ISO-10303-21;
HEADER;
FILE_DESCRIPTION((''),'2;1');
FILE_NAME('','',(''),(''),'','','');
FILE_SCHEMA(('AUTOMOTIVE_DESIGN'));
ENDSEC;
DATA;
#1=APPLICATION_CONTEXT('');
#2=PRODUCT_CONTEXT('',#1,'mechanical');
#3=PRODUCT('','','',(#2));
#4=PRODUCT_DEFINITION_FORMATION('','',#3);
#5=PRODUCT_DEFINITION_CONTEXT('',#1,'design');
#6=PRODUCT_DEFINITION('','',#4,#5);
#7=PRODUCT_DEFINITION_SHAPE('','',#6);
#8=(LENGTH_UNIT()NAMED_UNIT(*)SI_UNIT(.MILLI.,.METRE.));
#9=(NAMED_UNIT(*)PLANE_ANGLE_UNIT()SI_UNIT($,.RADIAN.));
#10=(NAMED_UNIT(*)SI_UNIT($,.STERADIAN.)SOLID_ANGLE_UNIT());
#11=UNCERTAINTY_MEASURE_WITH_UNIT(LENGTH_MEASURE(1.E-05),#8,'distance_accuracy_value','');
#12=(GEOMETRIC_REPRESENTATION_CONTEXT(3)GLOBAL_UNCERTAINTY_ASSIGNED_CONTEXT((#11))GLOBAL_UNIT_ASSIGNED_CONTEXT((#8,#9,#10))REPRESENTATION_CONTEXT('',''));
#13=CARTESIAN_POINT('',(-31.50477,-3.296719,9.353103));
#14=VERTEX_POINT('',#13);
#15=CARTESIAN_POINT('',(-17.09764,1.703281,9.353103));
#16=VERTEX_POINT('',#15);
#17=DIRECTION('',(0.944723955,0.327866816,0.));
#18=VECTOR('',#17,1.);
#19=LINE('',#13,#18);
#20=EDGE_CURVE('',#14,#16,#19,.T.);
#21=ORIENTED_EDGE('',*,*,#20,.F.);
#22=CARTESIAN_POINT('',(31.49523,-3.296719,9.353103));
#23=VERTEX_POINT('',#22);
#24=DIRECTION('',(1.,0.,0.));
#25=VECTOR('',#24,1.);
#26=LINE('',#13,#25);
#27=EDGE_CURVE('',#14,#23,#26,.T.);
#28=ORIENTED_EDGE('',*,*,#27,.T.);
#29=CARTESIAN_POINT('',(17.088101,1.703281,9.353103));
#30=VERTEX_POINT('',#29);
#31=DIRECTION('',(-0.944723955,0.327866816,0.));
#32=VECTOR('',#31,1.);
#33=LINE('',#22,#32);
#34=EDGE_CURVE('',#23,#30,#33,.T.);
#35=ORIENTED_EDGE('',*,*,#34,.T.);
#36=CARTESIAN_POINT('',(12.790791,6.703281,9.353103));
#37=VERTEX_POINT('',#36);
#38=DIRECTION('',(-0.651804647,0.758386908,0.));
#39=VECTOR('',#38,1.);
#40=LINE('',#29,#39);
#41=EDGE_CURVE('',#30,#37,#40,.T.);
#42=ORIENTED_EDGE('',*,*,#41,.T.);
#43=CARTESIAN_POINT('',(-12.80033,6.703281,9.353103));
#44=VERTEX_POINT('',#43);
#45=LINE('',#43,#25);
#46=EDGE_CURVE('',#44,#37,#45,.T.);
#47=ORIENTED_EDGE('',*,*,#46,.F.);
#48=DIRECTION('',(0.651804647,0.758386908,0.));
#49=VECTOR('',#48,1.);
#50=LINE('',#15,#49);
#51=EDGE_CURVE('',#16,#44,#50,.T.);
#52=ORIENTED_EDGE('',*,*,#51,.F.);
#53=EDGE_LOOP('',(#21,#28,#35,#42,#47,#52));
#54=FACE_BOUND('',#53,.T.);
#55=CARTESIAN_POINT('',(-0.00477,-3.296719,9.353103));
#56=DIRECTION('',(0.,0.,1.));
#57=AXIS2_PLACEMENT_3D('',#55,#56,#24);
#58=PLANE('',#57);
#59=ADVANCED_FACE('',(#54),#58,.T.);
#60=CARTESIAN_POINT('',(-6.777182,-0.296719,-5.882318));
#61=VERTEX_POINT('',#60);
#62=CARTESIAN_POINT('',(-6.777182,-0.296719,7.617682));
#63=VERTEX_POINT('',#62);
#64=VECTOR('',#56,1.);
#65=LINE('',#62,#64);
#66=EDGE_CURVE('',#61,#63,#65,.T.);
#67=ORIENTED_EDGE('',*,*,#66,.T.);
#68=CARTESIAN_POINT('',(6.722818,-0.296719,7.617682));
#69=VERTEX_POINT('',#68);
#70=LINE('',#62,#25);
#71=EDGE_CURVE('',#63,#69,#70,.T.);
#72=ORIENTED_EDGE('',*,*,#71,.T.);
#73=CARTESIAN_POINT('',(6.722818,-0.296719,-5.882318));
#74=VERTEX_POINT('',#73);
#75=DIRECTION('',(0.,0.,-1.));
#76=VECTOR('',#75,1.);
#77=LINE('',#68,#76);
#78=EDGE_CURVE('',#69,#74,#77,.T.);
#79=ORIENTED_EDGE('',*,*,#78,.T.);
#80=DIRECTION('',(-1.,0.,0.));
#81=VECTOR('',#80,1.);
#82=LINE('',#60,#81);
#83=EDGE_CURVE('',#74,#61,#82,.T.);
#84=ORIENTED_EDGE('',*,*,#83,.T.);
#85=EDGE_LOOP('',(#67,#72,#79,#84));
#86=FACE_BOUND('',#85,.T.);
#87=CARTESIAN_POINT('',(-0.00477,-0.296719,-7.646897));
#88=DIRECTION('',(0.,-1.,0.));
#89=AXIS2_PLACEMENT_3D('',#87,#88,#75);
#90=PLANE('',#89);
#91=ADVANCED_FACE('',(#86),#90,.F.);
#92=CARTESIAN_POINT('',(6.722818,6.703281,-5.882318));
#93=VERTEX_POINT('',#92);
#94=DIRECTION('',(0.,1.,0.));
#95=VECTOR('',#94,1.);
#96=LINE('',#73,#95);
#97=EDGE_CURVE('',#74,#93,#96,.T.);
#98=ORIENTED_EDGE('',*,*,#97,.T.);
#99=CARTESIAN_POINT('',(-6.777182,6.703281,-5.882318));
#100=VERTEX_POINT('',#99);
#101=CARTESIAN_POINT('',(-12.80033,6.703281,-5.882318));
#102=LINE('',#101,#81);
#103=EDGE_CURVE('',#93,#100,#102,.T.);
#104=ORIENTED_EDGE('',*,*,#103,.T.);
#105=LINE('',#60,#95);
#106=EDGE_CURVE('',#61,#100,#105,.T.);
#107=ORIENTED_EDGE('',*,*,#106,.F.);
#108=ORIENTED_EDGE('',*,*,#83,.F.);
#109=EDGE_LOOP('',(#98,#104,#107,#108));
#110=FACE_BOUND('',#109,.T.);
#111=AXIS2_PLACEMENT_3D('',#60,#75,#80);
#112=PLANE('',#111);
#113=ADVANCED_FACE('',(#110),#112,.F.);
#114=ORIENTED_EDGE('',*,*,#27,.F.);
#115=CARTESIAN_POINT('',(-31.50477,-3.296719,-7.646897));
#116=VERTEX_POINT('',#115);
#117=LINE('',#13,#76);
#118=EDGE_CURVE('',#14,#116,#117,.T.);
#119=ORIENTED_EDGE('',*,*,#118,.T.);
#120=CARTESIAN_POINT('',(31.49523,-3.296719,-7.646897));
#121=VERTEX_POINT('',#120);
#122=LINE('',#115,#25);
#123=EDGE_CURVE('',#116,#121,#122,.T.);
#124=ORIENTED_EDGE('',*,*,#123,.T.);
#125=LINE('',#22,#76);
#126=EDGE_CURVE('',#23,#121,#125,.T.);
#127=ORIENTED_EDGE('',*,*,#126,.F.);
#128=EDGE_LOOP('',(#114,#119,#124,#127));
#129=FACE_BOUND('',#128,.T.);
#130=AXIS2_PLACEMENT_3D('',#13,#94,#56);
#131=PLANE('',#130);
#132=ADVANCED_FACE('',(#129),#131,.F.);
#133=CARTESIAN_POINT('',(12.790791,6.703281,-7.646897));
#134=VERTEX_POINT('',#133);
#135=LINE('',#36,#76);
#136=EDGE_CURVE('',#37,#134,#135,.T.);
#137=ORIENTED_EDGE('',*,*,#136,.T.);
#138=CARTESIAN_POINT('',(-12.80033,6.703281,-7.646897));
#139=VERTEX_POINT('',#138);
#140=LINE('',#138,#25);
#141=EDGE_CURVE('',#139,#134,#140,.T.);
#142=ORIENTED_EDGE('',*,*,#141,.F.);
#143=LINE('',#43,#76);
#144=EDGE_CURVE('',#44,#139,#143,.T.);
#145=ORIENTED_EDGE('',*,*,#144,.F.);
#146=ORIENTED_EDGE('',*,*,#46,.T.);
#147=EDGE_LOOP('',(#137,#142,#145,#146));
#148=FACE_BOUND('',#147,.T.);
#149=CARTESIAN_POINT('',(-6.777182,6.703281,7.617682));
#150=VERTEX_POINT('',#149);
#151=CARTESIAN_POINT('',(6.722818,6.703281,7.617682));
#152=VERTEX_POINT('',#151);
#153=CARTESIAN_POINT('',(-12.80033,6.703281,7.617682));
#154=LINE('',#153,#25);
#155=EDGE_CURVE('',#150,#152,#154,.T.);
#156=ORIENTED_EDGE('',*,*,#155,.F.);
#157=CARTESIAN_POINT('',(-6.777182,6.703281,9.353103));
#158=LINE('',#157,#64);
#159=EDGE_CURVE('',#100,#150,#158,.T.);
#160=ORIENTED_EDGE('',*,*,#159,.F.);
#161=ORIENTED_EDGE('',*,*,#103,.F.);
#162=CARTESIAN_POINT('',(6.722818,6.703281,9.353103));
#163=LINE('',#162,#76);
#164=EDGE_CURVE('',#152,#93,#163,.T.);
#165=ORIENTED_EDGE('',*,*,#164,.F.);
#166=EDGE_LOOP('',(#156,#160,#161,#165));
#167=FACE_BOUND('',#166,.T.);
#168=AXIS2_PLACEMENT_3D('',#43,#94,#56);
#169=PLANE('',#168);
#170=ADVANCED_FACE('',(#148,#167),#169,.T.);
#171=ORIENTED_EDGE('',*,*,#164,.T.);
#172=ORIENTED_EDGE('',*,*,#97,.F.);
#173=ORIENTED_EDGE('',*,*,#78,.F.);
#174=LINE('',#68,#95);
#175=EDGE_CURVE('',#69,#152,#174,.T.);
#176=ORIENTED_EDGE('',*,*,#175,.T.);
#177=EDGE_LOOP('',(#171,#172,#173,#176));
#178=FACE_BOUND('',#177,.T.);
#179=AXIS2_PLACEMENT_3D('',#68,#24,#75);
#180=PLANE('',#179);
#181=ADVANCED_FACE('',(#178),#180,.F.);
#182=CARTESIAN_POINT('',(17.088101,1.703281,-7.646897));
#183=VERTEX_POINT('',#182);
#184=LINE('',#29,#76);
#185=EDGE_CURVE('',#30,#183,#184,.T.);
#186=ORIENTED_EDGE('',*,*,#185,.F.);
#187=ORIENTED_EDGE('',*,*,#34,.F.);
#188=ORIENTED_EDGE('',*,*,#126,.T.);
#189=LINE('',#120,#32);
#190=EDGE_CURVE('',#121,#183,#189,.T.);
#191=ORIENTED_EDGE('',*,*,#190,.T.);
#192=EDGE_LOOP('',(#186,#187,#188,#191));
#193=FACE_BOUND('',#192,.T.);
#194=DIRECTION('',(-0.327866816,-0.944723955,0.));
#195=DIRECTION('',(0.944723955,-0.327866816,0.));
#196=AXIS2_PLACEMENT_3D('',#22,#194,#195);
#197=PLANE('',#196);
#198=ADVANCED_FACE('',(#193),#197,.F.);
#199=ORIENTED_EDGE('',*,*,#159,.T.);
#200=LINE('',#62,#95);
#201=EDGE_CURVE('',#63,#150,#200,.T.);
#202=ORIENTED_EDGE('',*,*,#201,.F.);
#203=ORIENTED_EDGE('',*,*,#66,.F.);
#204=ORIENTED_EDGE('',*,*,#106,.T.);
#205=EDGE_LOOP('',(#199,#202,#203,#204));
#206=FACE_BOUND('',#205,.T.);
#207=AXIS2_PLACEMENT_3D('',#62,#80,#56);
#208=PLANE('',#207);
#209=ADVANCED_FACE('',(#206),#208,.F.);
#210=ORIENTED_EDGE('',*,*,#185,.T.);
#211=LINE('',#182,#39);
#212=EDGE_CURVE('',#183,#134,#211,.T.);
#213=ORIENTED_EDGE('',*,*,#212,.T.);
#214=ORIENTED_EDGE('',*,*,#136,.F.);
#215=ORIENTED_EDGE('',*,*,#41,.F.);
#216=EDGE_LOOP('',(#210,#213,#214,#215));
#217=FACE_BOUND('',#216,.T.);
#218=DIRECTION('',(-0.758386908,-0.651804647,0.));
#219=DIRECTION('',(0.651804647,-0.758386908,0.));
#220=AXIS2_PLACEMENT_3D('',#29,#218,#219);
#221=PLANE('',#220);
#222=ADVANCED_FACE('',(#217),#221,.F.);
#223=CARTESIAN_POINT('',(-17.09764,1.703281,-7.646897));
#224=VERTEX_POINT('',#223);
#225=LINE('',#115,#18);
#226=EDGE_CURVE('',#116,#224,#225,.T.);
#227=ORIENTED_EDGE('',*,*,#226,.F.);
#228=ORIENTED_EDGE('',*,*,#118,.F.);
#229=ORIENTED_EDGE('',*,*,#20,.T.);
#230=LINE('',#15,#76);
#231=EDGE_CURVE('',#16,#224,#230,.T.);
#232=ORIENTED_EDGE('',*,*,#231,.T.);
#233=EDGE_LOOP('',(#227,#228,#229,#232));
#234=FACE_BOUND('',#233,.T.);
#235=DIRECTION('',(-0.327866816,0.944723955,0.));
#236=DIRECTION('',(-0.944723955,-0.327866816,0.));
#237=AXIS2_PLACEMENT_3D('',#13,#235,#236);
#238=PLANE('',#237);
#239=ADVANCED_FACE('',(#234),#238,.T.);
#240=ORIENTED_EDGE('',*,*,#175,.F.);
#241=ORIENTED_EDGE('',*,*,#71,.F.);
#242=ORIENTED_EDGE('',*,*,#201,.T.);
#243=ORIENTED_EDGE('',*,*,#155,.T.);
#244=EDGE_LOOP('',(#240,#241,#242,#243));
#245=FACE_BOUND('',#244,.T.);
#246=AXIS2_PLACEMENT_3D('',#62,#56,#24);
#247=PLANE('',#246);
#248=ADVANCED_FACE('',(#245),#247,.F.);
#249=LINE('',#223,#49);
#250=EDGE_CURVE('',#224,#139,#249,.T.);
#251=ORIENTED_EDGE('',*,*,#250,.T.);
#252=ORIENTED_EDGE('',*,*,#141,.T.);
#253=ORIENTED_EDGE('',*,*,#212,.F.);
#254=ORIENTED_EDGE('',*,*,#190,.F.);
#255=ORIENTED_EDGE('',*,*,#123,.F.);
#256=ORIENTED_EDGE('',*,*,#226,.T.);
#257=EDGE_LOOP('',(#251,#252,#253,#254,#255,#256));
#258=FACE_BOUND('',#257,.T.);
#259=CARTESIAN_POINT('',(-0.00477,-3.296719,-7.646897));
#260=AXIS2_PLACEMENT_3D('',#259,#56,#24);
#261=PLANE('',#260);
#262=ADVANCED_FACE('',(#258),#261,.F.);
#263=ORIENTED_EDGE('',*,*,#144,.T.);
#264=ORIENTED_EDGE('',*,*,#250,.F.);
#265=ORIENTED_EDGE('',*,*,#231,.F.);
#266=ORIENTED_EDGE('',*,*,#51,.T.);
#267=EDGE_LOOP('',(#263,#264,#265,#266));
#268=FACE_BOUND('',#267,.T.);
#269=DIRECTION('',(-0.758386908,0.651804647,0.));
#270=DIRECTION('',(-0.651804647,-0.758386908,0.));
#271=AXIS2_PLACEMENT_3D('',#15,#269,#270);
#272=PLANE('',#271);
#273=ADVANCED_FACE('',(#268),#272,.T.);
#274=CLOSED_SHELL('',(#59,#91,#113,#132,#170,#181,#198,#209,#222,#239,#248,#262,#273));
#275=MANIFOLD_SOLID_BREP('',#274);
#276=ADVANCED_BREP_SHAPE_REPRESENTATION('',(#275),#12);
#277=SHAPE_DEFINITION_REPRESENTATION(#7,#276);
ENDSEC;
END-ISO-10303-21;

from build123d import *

# Parameters (mm, degrees)
EXTRUDE_2_DEPTH     = 1.7
CUT_EXTRUDE_START   = 0.3
SKETCH_3_W          = 1.35
SKETCH_3_H          = 1.35
CUT_EXTRUDE_2_DEPTH = 1
SCALE_1_SCALE       = 10


with BuildPart() as part:
    # 스케치1 → 보스-돌출2 (new body)
    with BuildSketch(Plane.XY):
        Polygon((-3.15, 0), (3.15, 0), (1.709287021, 0.5), (1.279556076, 1), (-1.279556076, 1), (-1.709287021, 0.5), align=None)
    extrude(amount=EXTRUDE_2_DEPTH)

    # 스케치3 → 컷-돌출2 (cut)
    with BuildSketch(Plane(origin=(0, 1, 0), x_dir=(1, 0, 0), z_dir=(0, 1, 0)).offset(CUT_EXTRUDE_START)):
        with Locations((-0.002241196, -0.851457908)):
            Rectangle(SKETCH_3_W, SKETCH_3_H)
    extrude(amount=-CUT_EXTRUDE_2_DEPTH, mode=Mode.SUBTRACT)


with BuildPart() as part_1:
    # 축척1: scaled about (0.000529957, 0.366302106, 0.84965526)
    add(part.part.scale(SCALE_1_SCALE).moved(Location((-0.004769613, -3.296718954, -7.64689734))))


solid = part_1.part
